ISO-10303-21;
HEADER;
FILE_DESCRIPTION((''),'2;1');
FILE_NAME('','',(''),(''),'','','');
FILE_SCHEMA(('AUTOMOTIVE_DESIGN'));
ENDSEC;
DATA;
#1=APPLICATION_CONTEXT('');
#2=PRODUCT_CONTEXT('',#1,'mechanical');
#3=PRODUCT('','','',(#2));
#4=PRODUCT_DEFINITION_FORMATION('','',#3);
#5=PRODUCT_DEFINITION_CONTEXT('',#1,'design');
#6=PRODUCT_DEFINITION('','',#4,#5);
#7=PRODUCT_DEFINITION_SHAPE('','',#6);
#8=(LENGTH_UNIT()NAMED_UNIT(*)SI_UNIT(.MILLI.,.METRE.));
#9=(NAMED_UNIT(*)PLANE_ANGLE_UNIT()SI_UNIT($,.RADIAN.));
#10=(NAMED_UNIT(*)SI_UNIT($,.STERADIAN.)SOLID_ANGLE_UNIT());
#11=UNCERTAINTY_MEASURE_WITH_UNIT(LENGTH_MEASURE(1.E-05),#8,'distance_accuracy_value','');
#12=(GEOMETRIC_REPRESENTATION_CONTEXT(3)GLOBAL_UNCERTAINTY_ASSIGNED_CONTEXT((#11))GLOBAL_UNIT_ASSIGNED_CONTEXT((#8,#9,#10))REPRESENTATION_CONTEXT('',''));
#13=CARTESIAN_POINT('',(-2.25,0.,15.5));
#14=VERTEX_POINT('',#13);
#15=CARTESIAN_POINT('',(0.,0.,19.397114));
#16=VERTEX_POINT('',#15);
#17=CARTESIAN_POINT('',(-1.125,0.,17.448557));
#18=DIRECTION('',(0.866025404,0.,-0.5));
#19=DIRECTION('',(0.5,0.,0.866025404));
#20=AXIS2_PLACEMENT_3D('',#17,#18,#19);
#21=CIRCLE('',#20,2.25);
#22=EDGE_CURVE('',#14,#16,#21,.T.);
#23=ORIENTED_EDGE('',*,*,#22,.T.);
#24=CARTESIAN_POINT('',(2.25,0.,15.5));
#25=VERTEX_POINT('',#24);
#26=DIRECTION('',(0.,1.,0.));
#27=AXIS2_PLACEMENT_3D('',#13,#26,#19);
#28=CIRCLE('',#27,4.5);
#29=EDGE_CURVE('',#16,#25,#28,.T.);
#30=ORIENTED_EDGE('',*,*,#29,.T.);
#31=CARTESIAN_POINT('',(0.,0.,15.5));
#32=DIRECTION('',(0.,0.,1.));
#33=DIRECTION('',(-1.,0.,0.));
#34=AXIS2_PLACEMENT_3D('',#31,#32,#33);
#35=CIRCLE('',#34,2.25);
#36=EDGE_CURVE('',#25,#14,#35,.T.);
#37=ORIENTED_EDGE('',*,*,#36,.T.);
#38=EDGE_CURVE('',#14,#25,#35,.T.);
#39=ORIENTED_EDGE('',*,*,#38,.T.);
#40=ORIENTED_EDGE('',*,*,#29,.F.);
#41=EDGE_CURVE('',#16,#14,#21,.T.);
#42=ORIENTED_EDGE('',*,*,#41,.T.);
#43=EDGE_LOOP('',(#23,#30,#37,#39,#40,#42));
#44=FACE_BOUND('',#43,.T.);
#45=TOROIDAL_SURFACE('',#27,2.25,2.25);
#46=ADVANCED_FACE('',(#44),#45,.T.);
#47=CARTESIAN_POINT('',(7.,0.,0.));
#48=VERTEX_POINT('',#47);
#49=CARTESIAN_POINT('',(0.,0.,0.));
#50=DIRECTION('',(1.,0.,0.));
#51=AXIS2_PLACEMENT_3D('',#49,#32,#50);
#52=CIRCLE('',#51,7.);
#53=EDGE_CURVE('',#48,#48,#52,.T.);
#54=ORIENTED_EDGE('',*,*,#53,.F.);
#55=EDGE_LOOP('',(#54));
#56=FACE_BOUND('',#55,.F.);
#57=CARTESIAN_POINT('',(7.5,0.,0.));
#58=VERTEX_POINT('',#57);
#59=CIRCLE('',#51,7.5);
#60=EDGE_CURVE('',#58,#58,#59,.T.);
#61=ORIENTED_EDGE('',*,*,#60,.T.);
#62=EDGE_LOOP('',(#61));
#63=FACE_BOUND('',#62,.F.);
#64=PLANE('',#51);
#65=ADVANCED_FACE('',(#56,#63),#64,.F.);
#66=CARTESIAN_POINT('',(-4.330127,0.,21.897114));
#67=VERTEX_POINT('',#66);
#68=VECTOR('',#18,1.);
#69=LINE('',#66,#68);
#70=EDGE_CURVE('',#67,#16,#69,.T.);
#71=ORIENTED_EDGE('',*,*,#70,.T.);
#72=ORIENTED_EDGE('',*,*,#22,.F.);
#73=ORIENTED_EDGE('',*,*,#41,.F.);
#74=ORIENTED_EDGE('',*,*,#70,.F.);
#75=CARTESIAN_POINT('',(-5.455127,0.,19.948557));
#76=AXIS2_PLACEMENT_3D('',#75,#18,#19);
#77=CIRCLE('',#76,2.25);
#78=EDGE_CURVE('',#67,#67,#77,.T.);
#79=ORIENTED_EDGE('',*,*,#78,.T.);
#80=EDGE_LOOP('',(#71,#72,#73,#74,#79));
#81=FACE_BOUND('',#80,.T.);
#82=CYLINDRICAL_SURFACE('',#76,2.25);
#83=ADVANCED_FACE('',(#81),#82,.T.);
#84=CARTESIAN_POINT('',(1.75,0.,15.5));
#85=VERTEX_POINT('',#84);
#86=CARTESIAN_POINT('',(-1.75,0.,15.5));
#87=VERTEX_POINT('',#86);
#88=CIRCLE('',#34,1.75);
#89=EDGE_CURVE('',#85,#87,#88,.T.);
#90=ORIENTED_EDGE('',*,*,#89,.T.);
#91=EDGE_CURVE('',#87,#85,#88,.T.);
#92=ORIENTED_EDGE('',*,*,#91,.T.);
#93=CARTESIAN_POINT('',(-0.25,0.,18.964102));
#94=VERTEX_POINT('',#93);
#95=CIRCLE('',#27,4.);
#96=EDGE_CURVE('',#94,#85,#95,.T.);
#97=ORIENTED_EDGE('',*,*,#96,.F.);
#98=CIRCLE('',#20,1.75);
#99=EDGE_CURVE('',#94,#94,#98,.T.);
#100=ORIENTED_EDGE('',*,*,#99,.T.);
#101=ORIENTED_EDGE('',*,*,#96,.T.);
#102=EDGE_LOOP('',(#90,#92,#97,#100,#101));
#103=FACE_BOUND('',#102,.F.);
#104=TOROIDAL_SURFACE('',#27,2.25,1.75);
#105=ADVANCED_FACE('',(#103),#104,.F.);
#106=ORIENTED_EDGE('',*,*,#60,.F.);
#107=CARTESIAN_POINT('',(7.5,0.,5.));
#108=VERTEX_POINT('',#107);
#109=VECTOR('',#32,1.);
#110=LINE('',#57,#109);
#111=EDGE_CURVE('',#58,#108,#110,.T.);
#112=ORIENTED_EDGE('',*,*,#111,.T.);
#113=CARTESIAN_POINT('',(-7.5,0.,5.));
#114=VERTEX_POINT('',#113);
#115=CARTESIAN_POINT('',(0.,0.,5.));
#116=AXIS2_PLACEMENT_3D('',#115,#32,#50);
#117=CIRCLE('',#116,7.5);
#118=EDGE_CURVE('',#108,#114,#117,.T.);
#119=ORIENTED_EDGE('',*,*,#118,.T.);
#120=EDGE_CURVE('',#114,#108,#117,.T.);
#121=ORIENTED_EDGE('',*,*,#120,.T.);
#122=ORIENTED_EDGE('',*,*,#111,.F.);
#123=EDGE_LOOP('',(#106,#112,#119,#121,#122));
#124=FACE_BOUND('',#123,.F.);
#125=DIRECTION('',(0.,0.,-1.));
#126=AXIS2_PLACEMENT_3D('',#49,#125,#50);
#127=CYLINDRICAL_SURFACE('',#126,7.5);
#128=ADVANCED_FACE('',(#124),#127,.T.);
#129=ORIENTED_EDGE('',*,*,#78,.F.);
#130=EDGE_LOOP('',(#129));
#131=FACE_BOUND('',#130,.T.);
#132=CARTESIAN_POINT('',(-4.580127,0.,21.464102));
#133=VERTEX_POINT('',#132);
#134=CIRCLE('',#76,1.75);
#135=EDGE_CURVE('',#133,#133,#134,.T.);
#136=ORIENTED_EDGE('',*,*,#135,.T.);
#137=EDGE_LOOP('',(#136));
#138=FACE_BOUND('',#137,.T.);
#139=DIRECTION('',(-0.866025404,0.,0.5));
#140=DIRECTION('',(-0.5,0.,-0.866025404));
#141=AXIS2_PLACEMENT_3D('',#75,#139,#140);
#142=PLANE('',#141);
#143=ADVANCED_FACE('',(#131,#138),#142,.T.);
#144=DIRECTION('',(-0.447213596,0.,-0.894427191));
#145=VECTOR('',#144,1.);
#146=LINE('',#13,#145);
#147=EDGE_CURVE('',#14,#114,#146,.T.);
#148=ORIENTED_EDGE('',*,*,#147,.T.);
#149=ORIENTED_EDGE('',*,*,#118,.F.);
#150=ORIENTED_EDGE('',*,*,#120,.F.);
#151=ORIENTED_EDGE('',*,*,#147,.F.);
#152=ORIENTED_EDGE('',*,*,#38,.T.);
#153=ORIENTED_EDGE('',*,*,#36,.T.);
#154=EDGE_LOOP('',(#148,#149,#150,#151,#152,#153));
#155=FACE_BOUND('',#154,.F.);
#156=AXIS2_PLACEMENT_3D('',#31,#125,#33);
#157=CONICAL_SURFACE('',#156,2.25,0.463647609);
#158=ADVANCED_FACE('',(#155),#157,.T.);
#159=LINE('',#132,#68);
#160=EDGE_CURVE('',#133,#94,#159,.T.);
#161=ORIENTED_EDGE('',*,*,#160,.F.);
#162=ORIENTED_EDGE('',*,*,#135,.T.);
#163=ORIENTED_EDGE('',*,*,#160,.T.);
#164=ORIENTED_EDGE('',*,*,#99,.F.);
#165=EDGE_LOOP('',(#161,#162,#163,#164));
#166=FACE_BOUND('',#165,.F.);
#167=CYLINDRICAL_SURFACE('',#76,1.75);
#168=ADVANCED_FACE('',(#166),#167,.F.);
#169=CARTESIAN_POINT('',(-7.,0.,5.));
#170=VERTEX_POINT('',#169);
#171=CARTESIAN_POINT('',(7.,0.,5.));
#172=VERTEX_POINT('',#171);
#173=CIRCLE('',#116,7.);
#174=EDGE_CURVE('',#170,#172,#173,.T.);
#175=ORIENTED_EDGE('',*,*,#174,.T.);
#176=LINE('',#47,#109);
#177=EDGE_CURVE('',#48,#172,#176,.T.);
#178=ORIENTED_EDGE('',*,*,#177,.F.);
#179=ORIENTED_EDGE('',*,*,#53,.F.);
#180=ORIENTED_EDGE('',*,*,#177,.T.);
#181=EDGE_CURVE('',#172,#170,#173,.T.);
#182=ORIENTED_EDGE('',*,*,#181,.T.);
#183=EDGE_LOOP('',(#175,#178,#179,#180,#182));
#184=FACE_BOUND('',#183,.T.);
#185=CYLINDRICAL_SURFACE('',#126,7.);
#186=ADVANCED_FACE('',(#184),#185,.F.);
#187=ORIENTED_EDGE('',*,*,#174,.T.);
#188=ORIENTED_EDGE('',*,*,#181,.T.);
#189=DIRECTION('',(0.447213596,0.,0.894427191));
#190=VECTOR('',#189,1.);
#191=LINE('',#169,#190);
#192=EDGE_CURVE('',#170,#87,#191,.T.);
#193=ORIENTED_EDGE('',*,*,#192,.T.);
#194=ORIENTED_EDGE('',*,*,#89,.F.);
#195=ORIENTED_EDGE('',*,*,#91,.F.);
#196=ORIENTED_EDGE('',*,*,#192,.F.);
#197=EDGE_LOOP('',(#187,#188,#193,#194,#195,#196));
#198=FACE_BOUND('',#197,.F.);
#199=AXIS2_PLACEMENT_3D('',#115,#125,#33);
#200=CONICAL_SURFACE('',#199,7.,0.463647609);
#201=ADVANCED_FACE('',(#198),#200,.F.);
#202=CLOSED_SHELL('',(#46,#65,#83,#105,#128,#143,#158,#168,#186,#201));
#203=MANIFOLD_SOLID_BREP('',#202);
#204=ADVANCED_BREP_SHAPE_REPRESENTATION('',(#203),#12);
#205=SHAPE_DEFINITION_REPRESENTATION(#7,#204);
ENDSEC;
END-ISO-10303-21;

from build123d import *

# Parameters (mm, degrees)
F0_R        = 7.5
F0_R_2      = 7
F1_DEPTH    = 5
F4_FACE_R   = 2.25
F4_FACE_R_2 = 1.75


with BuildPart() as f1:
    # F0 (on Top) → F1 (new body)
    with BuildSketch(Plane.XY):
        Circle(F0_R)
        Circle(F0_R_2, mode=Mode.SUBTRACT)
    extrude(amount=F1_DEPTH)

    # F3 (on Front) → F4 (revolve)
    with BuildSketch(Plane.XZ):
        Polygon((-1.75, 15.5), (-2.25, 15.5), (-7.5, 5), (-7, 5), align=None)
    revolve(axis=Axis((0, 0, 5), (0, 0, 1)))

    # F6: sweep along a path in F5
    with BuildLine(Plane.XZ) as f6_path:
        Line((-5.4551270189, 19.9485571585), (-1.125, 17.4485571585))
        ThreePointArc((-1.125, 17.4485571585), (-0.3014428415, 16.625), (0, 15.5))
    # F4_face (on face) → F6 (sweep)
    with BuildSketch(Plane.XY.offset(15.5)):
        Circle(F4_FACE_R)
        Circle(F4_FACE_R_2, mode=Mode.SUBTRACT)
    sweep(path=f6_path.line)


solid = f1.part
